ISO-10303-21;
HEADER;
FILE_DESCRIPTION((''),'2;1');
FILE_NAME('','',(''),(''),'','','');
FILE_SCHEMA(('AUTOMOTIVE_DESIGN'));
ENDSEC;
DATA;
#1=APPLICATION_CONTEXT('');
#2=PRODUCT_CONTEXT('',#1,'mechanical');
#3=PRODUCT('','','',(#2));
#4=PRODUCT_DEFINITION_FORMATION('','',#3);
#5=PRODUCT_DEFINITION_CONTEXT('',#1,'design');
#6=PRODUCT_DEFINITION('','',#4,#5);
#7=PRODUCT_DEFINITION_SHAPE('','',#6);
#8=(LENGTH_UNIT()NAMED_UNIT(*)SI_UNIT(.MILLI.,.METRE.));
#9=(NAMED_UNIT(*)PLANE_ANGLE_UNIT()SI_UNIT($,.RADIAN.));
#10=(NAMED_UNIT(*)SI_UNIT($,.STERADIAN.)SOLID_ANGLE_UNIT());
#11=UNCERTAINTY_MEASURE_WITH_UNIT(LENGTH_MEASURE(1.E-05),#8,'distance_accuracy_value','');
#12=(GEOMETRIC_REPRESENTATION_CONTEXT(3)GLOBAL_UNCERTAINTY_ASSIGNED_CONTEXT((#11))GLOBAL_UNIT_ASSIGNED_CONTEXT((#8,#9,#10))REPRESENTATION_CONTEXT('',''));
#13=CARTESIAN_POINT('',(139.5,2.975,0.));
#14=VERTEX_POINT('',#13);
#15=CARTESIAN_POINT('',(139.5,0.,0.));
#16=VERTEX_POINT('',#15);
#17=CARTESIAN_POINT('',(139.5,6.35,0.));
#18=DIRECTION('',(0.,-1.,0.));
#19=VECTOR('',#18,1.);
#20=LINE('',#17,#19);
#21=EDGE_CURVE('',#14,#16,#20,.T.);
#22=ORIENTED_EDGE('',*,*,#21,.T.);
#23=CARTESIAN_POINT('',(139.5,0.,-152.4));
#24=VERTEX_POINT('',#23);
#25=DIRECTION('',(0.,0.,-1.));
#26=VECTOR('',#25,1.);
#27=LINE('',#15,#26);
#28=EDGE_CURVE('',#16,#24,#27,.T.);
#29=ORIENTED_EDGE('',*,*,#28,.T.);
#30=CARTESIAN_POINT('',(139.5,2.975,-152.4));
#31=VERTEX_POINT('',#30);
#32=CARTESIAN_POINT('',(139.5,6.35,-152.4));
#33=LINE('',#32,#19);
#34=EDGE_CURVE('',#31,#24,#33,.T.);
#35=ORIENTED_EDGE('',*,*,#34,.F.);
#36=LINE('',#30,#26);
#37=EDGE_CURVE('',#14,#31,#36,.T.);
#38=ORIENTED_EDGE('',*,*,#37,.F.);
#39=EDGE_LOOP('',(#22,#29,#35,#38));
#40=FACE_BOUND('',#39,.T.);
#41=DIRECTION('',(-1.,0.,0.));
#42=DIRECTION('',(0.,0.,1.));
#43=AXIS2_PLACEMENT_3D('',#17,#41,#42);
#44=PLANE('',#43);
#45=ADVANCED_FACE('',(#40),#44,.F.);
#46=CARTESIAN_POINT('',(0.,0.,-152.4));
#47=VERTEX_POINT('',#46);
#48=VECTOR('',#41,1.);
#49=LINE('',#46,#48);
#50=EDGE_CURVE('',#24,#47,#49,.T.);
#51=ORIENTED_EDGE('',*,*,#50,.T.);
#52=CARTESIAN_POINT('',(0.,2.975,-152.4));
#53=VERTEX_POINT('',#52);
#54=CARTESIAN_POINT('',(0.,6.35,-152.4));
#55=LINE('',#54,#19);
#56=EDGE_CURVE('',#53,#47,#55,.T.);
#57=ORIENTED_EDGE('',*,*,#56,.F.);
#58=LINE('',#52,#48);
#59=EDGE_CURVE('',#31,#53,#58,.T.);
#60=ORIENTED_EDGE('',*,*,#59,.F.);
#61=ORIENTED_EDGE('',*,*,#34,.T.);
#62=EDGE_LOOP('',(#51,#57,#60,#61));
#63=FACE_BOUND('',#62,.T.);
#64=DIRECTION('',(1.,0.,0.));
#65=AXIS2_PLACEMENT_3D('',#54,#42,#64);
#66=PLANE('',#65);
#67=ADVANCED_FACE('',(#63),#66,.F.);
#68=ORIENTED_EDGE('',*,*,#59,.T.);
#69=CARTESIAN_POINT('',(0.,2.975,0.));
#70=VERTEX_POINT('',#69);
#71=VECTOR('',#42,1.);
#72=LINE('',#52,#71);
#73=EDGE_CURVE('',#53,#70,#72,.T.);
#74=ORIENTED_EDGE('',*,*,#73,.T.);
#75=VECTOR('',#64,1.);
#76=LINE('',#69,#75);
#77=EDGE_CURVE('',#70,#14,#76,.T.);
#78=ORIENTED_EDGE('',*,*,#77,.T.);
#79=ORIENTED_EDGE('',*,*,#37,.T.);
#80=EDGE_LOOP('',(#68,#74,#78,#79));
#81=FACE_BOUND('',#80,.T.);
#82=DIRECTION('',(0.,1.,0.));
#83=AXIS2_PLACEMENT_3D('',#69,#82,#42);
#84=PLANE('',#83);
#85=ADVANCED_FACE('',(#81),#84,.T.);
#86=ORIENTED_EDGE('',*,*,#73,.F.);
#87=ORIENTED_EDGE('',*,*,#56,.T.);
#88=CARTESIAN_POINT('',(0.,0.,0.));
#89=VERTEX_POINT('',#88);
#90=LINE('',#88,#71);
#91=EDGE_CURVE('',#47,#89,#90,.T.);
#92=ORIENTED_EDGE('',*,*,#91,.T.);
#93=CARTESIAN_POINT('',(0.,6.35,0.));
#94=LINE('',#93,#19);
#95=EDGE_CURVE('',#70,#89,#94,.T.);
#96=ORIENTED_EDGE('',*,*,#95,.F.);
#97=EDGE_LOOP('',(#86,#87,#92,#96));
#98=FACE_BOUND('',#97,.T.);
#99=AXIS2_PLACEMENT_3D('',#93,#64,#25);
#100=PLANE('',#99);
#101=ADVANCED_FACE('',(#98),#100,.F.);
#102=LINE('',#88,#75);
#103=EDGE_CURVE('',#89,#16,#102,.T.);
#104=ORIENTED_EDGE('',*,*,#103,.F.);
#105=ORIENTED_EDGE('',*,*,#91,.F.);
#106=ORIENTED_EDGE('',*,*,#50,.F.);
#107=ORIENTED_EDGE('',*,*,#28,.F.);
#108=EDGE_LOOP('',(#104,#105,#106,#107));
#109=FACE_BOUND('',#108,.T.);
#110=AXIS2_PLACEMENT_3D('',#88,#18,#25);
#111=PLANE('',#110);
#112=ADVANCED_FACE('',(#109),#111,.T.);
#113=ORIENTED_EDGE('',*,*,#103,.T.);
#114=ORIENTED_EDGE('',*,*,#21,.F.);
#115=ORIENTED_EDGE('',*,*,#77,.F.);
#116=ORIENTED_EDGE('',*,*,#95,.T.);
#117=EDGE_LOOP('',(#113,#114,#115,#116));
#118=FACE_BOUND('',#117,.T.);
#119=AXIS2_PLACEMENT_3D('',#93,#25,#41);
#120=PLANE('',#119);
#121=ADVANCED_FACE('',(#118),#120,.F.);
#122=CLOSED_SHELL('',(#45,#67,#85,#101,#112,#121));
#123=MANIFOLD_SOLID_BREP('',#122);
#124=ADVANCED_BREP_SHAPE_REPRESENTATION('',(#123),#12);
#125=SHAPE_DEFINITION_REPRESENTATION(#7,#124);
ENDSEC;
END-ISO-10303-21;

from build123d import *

# Parameters (mm, degrees)
SKETCH1_W           = 139.5
SKETCH1_H           = 152.4
BOSS_EXTRUDE1_DEPTH = 6.35
SKETCH2_W           = 139.5
SKETCH2_H           = 152.4
CUT_EXTRUDE1_DEPTH  = 3.375


with BuildPart() as part:
    # Sketch1 → Boss-Extrude1 (new body)
    with BuildSketch(Plane(origin=(0, 0, 0), x_dir=(1, 0, 0), z_dir=(0, 1, 0))):
        with Locations((69.75, 76.2)):
            Rectangle(SKETCH1_W, SKETCH1_H)
    extrude(amount=BOSS_EXTRUDE1_DEPTH)

    # Sketch2 → Cut-Extrude1 (cut)
    with BuildSketch(Plane(origin=(0, 6.35, 0), x_dir=(1, 0, 0), z_dir=(0, 1, 0))):
        with Locations((69.75, 76.2)):
            Rectangle(SKETCH2_W, SKETCH2_H)
    extrude(amount=-CUT_EXTRUDE1_DEPTH, mode=Mode.SUBTRACT)


solid = part.part
